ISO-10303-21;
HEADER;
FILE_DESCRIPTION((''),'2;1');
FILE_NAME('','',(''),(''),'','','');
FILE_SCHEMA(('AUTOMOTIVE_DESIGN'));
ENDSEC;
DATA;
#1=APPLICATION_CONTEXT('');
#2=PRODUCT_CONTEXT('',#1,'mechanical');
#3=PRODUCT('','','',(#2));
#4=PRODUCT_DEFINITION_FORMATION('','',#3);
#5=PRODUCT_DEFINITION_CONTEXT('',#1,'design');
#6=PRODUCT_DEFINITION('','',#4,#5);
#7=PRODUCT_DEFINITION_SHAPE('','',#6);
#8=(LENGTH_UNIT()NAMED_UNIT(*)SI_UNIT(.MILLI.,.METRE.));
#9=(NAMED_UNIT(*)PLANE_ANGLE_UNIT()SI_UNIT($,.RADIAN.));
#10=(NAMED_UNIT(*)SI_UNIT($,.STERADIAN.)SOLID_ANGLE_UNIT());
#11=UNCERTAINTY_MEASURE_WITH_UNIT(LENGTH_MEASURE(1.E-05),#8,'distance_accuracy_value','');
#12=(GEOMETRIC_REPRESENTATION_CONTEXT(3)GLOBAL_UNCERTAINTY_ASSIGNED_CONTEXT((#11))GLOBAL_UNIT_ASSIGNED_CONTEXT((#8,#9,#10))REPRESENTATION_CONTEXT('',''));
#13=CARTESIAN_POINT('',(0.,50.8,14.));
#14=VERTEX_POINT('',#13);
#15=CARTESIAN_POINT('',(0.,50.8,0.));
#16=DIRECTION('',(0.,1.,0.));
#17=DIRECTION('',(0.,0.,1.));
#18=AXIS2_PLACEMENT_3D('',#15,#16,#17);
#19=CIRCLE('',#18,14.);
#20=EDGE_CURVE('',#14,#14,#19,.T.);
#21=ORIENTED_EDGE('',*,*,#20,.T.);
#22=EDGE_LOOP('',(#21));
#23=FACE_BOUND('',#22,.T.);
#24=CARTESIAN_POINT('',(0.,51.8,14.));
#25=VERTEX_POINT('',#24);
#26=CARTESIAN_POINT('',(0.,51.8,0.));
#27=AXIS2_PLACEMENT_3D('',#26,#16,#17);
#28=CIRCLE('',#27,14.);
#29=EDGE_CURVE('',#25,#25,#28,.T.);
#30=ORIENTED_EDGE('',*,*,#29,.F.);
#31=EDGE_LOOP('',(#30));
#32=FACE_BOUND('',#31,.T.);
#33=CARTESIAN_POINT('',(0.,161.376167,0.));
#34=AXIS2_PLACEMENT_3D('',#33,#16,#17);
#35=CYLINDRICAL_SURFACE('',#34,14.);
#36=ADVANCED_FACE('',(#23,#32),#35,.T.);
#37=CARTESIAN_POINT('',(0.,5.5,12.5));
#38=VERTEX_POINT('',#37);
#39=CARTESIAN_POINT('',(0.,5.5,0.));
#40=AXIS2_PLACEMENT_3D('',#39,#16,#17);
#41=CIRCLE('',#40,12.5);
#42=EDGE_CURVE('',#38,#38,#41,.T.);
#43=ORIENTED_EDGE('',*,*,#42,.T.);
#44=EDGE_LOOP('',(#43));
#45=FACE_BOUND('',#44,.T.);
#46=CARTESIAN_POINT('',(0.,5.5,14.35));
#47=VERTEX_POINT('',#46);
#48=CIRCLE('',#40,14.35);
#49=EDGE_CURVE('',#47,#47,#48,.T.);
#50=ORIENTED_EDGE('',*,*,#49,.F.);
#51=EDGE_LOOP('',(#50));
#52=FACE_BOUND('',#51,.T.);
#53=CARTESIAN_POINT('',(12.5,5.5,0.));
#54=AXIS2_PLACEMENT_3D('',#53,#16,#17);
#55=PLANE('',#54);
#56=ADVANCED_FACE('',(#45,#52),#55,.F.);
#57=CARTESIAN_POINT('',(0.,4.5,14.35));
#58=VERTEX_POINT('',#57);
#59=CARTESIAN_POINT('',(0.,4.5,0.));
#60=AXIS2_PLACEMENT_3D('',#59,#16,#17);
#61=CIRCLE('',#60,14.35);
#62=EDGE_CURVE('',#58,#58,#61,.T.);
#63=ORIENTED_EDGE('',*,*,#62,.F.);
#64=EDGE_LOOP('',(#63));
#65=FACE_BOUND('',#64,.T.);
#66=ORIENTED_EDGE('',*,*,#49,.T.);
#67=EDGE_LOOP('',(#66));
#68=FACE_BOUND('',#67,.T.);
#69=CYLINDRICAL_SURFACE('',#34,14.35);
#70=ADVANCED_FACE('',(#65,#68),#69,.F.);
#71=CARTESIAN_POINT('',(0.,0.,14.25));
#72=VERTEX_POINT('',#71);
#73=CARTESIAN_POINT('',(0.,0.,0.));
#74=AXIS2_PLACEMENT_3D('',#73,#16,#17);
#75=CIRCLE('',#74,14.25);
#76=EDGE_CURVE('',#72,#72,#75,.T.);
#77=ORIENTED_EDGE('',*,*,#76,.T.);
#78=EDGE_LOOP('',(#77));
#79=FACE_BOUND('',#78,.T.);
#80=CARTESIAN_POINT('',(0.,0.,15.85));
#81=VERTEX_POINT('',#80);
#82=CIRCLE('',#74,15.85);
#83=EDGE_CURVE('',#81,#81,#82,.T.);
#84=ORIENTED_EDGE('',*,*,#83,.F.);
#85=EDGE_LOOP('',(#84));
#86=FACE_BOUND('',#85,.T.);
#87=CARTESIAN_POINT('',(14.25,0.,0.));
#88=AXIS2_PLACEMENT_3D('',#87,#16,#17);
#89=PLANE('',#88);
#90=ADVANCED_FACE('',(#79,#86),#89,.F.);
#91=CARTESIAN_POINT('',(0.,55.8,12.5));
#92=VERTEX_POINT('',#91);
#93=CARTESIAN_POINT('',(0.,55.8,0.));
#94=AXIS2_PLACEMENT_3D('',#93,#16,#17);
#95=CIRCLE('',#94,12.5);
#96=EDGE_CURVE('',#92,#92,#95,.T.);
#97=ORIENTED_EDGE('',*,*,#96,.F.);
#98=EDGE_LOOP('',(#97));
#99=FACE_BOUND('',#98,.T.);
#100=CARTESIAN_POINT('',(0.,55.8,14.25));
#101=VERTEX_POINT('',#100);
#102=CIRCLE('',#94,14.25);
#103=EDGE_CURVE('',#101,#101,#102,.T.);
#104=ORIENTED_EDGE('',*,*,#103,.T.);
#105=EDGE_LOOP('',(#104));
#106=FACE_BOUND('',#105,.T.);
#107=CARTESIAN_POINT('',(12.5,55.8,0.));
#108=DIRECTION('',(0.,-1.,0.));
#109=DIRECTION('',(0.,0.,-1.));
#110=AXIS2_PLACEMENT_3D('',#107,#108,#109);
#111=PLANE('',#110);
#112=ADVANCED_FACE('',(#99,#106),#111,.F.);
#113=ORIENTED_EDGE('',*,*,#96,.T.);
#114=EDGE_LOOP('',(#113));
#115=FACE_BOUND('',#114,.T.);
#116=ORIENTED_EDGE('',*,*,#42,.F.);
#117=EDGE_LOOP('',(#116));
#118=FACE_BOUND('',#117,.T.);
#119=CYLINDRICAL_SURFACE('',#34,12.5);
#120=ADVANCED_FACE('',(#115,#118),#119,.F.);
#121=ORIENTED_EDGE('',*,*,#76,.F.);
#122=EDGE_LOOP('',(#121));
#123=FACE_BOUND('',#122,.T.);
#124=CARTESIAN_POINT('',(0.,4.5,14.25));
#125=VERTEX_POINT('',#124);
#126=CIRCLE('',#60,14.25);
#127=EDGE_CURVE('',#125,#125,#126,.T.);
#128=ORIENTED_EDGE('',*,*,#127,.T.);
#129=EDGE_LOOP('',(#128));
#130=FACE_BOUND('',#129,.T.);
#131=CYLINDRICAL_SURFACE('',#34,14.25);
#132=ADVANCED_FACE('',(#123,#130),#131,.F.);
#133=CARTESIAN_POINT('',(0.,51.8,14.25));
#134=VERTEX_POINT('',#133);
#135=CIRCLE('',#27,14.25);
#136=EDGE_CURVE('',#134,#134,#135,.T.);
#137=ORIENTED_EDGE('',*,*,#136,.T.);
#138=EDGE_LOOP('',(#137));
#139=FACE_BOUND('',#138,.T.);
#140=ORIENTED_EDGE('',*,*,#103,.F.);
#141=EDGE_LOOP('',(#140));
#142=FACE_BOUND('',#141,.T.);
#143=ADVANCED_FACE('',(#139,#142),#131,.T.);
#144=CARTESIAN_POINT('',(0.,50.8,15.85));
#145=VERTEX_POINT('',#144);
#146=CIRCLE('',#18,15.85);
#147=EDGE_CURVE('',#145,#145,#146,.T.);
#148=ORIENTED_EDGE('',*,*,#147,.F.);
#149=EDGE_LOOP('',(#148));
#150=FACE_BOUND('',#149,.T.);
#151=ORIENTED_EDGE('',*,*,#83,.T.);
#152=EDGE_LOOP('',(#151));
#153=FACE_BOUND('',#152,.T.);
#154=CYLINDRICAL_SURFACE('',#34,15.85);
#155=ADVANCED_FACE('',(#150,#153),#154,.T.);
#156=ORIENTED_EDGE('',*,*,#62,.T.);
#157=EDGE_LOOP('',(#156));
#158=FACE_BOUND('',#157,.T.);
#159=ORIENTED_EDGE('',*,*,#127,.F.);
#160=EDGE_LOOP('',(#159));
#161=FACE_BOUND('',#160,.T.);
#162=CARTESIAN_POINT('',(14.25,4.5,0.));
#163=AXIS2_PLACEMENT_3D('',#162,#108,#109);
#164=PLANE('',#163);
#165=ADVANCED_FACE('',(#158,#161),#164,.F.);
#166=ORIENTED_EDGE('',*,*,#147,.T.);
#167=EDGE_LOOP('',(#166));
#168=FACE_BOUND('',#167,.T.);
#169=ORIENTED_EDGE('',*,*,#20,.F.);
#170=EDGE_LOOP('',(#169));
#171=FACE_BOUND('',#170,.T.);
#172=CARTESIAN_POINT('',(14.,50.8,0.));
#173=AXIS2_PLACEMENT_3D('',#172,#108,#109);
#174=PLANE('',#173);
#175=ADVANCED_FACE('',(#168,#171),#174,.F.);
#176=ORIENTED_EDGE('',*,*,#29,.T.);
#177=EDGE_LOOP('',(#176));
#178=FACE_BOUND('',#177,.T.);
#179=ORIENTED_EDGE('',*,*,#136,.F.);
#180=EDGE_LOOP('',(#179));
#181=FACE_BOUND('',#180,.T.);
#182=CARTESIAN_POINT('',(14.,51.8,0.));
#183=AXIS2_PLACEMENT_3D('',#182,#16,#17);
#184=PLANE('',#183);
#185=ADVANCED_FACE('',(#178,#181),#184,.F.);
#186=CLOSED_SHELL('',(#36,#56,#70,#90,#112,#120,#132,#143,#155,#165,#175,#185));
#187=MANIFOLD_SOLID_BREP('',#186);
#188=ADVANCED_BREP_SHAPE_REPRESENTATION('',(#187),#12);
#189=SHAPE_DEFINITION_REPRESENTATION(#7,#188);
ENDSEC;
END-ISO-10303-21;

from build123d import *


with BuildPart() as part:
    # 草图1 → 旋转1 (revolve)
    with BuildSketch(Plane.XY, mode=Mode.PRIVATE) as revolve_1_sk:
        Polygon((14.25, 0), (14.25, 4.5), (14.35, 4.5), (14.35, 5.5), (12.5, 5.5), (12.5, 55.8), (14.25, 55.8), (14.25, 51.8), (14, 51.8), (14, 50.8), (15.85, 50.8), (15.85, 0), align=None)
    revolve(revolve_1_sk.sketch.rotate(Axis((0, 161.376166943, 0), (0, -1, 0)), 90), axis=Axis((0, 161.376166943, 0), (0, -1, 0)))  # turned: the seam where the file's is


solid = part.part
